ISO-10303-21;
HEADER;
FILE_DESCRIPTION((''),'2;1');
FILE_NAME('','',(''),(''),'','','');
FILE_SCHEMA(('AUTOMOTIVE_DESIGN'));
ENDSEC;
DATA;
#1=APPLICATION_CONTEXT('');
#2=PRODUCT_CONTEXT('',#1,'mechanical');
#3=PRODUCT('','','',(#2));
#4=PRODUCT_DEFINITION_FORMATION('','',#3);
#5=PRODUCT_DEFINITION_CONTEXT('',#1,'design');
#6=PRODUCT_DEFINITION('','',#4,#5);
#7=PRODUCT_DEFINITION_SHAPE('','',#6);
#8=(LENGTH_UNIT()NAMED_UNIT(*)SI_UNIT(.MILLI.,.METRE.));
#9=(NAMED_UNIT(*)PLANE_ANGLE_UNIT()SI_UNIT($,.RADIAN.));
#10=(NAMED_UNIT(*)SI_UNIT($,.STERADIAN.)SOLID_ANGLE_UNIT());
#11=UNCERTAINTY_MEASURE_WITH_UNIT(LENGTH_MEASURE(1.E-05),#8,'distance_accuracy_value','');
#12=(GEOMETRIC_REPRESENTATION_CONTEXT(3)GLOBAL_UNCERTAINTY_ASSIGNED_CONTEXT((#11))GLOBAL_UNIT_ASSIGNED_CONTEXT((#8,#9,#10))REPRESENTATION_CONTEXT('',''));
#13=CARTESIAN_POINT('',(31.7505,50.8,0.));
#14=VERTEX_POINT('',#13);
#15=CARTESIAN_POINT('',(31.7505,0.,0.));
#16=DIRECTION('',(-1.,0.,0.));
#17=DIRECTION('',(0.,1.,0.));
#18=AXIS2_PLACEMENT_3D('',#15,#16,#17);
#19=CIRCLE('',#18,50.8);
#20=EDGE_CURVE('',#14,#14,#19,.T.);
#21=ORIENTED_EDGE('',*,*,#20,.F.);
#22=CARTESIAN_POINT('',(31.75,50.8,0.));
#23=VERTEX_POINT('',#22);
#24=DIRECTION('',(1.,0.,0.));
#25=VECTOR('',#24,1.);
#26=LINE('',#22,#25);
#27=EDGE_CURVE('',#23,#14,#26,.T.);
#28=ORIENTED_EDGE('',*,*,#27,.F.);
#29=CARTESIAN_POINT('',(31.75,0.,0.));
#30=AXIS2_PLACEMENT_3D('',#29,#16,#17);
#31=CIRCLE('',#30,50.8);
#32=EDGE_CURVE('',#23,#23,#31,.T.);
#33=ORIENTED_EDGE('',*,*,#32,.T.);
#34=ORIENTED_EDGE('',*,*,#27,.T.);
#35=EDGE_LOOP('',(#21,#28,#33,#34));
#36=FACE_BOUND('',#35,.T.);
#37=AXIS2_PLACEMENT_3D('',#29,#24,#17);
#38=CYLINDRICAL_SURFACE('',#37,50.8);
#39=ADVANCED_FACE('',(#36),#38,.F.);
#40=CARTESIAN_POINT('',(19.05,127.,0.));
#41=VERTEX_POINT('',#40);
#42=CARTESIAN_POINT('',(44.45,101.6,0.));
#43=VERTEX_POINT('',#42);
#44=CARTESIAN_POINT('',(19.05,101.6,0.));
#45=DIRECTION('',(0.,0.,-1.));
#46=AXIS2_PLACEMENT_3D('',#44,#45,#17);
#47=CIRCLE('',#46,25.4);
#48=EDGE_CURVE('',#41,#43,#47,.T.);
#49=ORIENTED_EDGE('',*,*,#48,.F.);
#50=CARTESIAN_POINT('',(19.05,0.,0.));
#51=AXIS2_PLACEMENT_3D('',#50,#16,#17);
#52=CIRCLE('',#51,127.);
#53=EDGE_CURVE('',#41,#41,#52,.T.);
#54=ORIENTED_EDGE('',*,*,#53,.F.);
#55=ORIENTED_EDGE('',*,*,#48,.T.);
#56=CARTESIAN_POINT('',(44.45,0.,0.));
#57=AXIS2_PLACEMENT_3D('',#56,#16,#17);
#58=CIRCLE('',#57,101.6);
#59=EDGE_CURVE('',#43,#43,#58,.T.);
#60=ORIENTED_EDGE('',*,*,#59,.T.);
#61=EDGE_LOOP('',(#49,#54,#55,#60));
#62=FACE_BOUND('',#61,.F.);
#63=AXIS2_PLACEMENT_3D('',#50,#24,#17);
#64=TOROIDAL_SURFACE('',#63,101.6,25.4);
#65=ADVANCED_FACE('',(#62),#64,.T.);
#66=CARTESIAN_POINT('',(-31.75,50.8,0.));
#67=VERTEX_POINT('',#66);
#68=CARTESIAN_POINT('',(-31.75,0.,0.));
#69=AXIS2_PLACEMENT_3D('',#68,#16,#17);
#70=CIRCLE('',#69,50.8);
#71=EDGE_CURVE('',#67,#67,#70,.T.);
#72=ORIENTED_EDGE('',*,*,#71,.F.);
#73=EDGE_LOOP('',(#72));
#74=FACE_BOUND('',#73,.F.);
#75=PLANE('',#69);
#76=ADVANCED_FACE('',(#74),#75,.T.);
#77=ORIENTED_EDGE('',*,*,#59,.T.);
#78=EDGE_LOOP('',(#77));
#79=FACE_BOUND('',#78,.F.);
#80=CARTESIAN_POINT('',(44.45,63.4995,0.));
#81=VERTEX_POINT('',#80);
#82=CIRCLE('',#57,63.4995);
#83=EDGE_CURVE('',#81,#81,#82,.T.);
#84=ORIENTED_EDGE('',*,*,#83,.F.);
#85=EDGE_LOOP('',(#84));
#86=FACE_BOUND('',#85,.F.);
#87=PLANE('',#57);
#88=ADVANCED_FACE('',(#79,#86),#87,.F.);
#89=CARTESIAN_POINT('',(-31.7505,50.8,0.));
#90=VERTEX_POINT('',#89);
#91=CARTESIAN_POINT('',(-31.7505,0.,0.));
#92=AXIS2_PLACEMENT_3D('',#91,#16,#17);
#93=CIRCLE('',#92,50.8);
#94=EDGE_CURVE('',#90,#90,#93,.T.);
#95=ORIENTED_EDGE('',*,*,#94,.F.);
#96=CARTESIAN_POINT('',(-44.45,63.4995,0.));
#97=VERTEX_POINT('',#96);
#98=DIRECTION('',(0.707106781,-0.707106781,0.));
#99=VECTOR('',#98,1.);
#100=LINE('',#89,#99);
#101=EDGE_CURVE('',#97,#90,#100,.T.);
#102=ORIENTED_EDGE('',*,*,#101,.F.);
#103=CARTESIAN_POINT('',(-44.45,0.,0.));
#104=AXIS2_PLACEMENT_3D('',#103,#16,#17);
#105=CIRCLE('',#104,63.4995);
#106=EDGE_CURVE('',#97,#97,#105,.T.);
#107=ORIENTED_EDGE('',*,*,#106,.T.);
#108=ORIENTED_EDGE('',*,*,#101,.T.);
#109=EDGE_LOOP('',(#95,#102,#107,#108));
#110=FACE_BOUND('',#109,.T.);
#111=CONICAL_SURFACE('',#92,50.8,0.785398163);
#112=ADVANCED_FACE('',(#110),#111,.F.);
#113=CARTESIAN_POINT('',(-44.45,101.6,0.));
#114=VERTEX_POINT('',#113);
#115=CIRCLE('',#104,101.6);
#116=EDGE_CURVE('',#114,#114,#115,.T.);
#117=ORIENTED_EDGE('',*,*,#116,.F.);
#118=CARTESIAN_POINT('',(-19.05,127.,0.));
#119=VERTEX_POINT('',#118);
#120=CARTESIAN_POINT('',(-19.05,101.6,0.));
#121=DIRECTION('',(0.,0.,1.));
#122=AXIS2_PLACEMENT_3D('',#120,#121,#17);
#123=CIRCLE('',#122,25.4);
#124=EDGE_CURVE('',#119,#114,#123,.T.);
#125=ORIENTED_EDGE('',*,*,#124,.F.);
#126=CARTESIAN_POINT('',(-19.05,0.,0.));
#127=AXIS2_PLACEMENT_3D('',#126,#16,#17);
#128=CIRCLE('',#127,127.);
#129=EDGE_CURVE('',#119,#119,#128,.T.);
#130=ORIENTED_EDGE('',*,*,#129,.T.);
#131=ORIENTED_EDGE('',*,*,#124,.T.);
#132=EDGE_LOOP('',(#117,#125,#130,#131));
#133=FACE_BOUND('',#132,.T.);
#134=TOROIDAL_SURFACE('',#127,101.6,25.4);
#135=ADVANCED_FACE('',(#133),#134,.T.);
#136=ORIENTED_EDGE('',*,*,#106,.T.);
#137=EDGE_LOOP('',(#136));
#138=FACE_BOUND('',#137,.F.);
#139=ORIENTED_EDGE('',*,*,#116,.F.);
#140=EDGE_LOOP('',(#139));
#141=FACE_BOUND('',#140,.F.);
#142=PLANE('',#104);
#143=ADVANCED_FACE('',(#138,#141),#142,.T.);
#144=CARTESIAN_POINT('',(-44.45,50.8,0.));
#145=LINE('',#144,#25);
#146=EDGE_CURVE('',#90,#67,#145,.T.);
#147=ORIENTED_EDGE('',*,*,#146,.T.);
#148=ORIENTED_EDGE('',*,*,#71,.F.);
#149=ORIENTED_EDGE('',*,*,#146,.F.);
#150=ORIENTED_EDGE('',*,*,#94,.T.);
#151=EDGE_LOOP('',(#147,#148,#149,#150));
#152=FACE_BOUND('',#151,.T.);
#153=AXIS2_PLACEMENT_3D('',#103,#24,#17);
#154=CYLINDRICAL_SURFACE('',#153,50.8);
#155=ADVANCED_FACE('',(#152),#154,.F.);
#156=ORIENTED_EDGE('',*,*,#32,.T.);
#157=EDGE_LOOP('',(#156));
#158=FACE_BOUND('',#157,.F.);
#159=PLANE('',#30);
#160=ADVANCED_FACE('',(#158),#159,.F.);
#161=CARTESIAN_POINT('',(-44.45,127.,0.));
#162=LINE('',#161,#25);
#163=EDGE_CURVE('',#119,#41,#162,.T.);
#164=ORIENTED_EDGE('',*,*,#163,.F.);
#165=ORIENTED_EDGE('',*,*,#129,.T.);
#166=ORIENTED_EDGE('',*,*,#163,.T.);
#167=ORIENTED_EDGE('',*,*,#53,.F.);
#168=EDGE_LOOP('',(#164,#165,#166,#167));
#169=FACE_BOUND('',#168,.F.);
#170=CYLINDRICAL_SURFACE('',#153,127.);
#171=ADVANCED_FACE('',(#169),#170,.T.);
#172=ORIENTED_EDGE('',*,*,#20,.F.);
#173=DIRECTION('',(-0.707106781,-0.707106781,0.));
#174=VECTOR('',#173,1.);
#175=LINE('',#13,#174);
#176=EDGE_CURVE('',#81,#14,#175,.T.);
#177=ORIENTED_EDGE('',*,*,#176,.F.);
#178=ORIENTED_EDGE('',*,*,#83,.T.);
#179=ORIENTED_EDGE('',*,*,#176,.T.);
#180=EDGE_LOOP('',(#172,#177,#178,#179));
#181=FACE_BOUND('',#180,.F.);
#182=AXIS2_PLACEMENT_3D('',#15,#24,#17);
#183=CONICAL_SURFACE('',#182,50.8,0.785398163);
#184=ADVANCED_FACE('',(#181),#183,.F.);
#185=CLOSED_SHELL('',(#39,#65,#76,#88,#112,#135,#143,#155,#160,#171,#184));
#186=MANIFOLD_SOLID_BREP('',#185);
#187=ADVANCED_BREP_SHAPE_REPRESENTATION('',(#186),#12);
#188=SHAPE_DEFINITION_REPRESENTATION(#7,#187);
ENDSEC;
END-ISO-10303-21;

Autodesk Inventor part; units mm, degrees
ref_plane "YZ Plane" through (0, 0, 0) normal (1, 0, 0) x (0, 1, 0)
ref_plane "XZ Plane" through (0, 0, 0) normal (0, 1, 0) x (-1, 0, 0)
ref_plane "XY Plane" through (0, 0, 0) normal (0, 0, 1) x (1, 0, 0)
sketch "Sketch1" plane through (0, 0, 0) normal (0, 0, 1) x (1, 0, 0)
  line L0 (-44.45, 127) -> (44.45, 127)
  line L1 (44.45, 127) -> (44.45, 50.8)
  line L2 (-44.45, 50.8) -> (-44.45, 127)
  line L3 (31.75, 50.8) -> (31.75, 0)
  line L4 (31.75, 0) -> (-31.75, 0)
  line L5 (-31.75, 0) -> (-31.75, 50.8)
  line L6 (-44.45, 50.8) -> (-31.75, 50.8)
  line L7 (31.75, 50.8) -> (44.45, 50.8)
  line L8 (152.4, 0) -> (-152.4, 0) construction
  point P0 (0, 0)
  dimension "d0" = 88.9
  dimension "d1" = 76.2
  dimension "d3" = 44.45
  dimension "d4" = 63.5
  dimension "d12" = 152.4
  dimension "d13" = 152.4
revolve "Snow Blower Tire" add sketch "Sketch1" angle 360 about axis through (31.75, 0, 0) along (-1, 0, 0)
fillet "Fillet1" radius 25.4 2 edges at (44.45, -127, 0) (-44.45, -127, 0)
chamfer "Chamfer1" distance 12.7 angle 45 2 edges at (44.45, -50.8, 0) (-44.45, -50.8, 0)
sketch "Sketch21" plane through (0, 0, 0) normal (0, 1, 0) x (-1, 0, 0)
  line L0 (83.9649, 0) -> (-81.8871, 0)
  point P0 (0, 0)
properties part number "Snow Blower Tire"
